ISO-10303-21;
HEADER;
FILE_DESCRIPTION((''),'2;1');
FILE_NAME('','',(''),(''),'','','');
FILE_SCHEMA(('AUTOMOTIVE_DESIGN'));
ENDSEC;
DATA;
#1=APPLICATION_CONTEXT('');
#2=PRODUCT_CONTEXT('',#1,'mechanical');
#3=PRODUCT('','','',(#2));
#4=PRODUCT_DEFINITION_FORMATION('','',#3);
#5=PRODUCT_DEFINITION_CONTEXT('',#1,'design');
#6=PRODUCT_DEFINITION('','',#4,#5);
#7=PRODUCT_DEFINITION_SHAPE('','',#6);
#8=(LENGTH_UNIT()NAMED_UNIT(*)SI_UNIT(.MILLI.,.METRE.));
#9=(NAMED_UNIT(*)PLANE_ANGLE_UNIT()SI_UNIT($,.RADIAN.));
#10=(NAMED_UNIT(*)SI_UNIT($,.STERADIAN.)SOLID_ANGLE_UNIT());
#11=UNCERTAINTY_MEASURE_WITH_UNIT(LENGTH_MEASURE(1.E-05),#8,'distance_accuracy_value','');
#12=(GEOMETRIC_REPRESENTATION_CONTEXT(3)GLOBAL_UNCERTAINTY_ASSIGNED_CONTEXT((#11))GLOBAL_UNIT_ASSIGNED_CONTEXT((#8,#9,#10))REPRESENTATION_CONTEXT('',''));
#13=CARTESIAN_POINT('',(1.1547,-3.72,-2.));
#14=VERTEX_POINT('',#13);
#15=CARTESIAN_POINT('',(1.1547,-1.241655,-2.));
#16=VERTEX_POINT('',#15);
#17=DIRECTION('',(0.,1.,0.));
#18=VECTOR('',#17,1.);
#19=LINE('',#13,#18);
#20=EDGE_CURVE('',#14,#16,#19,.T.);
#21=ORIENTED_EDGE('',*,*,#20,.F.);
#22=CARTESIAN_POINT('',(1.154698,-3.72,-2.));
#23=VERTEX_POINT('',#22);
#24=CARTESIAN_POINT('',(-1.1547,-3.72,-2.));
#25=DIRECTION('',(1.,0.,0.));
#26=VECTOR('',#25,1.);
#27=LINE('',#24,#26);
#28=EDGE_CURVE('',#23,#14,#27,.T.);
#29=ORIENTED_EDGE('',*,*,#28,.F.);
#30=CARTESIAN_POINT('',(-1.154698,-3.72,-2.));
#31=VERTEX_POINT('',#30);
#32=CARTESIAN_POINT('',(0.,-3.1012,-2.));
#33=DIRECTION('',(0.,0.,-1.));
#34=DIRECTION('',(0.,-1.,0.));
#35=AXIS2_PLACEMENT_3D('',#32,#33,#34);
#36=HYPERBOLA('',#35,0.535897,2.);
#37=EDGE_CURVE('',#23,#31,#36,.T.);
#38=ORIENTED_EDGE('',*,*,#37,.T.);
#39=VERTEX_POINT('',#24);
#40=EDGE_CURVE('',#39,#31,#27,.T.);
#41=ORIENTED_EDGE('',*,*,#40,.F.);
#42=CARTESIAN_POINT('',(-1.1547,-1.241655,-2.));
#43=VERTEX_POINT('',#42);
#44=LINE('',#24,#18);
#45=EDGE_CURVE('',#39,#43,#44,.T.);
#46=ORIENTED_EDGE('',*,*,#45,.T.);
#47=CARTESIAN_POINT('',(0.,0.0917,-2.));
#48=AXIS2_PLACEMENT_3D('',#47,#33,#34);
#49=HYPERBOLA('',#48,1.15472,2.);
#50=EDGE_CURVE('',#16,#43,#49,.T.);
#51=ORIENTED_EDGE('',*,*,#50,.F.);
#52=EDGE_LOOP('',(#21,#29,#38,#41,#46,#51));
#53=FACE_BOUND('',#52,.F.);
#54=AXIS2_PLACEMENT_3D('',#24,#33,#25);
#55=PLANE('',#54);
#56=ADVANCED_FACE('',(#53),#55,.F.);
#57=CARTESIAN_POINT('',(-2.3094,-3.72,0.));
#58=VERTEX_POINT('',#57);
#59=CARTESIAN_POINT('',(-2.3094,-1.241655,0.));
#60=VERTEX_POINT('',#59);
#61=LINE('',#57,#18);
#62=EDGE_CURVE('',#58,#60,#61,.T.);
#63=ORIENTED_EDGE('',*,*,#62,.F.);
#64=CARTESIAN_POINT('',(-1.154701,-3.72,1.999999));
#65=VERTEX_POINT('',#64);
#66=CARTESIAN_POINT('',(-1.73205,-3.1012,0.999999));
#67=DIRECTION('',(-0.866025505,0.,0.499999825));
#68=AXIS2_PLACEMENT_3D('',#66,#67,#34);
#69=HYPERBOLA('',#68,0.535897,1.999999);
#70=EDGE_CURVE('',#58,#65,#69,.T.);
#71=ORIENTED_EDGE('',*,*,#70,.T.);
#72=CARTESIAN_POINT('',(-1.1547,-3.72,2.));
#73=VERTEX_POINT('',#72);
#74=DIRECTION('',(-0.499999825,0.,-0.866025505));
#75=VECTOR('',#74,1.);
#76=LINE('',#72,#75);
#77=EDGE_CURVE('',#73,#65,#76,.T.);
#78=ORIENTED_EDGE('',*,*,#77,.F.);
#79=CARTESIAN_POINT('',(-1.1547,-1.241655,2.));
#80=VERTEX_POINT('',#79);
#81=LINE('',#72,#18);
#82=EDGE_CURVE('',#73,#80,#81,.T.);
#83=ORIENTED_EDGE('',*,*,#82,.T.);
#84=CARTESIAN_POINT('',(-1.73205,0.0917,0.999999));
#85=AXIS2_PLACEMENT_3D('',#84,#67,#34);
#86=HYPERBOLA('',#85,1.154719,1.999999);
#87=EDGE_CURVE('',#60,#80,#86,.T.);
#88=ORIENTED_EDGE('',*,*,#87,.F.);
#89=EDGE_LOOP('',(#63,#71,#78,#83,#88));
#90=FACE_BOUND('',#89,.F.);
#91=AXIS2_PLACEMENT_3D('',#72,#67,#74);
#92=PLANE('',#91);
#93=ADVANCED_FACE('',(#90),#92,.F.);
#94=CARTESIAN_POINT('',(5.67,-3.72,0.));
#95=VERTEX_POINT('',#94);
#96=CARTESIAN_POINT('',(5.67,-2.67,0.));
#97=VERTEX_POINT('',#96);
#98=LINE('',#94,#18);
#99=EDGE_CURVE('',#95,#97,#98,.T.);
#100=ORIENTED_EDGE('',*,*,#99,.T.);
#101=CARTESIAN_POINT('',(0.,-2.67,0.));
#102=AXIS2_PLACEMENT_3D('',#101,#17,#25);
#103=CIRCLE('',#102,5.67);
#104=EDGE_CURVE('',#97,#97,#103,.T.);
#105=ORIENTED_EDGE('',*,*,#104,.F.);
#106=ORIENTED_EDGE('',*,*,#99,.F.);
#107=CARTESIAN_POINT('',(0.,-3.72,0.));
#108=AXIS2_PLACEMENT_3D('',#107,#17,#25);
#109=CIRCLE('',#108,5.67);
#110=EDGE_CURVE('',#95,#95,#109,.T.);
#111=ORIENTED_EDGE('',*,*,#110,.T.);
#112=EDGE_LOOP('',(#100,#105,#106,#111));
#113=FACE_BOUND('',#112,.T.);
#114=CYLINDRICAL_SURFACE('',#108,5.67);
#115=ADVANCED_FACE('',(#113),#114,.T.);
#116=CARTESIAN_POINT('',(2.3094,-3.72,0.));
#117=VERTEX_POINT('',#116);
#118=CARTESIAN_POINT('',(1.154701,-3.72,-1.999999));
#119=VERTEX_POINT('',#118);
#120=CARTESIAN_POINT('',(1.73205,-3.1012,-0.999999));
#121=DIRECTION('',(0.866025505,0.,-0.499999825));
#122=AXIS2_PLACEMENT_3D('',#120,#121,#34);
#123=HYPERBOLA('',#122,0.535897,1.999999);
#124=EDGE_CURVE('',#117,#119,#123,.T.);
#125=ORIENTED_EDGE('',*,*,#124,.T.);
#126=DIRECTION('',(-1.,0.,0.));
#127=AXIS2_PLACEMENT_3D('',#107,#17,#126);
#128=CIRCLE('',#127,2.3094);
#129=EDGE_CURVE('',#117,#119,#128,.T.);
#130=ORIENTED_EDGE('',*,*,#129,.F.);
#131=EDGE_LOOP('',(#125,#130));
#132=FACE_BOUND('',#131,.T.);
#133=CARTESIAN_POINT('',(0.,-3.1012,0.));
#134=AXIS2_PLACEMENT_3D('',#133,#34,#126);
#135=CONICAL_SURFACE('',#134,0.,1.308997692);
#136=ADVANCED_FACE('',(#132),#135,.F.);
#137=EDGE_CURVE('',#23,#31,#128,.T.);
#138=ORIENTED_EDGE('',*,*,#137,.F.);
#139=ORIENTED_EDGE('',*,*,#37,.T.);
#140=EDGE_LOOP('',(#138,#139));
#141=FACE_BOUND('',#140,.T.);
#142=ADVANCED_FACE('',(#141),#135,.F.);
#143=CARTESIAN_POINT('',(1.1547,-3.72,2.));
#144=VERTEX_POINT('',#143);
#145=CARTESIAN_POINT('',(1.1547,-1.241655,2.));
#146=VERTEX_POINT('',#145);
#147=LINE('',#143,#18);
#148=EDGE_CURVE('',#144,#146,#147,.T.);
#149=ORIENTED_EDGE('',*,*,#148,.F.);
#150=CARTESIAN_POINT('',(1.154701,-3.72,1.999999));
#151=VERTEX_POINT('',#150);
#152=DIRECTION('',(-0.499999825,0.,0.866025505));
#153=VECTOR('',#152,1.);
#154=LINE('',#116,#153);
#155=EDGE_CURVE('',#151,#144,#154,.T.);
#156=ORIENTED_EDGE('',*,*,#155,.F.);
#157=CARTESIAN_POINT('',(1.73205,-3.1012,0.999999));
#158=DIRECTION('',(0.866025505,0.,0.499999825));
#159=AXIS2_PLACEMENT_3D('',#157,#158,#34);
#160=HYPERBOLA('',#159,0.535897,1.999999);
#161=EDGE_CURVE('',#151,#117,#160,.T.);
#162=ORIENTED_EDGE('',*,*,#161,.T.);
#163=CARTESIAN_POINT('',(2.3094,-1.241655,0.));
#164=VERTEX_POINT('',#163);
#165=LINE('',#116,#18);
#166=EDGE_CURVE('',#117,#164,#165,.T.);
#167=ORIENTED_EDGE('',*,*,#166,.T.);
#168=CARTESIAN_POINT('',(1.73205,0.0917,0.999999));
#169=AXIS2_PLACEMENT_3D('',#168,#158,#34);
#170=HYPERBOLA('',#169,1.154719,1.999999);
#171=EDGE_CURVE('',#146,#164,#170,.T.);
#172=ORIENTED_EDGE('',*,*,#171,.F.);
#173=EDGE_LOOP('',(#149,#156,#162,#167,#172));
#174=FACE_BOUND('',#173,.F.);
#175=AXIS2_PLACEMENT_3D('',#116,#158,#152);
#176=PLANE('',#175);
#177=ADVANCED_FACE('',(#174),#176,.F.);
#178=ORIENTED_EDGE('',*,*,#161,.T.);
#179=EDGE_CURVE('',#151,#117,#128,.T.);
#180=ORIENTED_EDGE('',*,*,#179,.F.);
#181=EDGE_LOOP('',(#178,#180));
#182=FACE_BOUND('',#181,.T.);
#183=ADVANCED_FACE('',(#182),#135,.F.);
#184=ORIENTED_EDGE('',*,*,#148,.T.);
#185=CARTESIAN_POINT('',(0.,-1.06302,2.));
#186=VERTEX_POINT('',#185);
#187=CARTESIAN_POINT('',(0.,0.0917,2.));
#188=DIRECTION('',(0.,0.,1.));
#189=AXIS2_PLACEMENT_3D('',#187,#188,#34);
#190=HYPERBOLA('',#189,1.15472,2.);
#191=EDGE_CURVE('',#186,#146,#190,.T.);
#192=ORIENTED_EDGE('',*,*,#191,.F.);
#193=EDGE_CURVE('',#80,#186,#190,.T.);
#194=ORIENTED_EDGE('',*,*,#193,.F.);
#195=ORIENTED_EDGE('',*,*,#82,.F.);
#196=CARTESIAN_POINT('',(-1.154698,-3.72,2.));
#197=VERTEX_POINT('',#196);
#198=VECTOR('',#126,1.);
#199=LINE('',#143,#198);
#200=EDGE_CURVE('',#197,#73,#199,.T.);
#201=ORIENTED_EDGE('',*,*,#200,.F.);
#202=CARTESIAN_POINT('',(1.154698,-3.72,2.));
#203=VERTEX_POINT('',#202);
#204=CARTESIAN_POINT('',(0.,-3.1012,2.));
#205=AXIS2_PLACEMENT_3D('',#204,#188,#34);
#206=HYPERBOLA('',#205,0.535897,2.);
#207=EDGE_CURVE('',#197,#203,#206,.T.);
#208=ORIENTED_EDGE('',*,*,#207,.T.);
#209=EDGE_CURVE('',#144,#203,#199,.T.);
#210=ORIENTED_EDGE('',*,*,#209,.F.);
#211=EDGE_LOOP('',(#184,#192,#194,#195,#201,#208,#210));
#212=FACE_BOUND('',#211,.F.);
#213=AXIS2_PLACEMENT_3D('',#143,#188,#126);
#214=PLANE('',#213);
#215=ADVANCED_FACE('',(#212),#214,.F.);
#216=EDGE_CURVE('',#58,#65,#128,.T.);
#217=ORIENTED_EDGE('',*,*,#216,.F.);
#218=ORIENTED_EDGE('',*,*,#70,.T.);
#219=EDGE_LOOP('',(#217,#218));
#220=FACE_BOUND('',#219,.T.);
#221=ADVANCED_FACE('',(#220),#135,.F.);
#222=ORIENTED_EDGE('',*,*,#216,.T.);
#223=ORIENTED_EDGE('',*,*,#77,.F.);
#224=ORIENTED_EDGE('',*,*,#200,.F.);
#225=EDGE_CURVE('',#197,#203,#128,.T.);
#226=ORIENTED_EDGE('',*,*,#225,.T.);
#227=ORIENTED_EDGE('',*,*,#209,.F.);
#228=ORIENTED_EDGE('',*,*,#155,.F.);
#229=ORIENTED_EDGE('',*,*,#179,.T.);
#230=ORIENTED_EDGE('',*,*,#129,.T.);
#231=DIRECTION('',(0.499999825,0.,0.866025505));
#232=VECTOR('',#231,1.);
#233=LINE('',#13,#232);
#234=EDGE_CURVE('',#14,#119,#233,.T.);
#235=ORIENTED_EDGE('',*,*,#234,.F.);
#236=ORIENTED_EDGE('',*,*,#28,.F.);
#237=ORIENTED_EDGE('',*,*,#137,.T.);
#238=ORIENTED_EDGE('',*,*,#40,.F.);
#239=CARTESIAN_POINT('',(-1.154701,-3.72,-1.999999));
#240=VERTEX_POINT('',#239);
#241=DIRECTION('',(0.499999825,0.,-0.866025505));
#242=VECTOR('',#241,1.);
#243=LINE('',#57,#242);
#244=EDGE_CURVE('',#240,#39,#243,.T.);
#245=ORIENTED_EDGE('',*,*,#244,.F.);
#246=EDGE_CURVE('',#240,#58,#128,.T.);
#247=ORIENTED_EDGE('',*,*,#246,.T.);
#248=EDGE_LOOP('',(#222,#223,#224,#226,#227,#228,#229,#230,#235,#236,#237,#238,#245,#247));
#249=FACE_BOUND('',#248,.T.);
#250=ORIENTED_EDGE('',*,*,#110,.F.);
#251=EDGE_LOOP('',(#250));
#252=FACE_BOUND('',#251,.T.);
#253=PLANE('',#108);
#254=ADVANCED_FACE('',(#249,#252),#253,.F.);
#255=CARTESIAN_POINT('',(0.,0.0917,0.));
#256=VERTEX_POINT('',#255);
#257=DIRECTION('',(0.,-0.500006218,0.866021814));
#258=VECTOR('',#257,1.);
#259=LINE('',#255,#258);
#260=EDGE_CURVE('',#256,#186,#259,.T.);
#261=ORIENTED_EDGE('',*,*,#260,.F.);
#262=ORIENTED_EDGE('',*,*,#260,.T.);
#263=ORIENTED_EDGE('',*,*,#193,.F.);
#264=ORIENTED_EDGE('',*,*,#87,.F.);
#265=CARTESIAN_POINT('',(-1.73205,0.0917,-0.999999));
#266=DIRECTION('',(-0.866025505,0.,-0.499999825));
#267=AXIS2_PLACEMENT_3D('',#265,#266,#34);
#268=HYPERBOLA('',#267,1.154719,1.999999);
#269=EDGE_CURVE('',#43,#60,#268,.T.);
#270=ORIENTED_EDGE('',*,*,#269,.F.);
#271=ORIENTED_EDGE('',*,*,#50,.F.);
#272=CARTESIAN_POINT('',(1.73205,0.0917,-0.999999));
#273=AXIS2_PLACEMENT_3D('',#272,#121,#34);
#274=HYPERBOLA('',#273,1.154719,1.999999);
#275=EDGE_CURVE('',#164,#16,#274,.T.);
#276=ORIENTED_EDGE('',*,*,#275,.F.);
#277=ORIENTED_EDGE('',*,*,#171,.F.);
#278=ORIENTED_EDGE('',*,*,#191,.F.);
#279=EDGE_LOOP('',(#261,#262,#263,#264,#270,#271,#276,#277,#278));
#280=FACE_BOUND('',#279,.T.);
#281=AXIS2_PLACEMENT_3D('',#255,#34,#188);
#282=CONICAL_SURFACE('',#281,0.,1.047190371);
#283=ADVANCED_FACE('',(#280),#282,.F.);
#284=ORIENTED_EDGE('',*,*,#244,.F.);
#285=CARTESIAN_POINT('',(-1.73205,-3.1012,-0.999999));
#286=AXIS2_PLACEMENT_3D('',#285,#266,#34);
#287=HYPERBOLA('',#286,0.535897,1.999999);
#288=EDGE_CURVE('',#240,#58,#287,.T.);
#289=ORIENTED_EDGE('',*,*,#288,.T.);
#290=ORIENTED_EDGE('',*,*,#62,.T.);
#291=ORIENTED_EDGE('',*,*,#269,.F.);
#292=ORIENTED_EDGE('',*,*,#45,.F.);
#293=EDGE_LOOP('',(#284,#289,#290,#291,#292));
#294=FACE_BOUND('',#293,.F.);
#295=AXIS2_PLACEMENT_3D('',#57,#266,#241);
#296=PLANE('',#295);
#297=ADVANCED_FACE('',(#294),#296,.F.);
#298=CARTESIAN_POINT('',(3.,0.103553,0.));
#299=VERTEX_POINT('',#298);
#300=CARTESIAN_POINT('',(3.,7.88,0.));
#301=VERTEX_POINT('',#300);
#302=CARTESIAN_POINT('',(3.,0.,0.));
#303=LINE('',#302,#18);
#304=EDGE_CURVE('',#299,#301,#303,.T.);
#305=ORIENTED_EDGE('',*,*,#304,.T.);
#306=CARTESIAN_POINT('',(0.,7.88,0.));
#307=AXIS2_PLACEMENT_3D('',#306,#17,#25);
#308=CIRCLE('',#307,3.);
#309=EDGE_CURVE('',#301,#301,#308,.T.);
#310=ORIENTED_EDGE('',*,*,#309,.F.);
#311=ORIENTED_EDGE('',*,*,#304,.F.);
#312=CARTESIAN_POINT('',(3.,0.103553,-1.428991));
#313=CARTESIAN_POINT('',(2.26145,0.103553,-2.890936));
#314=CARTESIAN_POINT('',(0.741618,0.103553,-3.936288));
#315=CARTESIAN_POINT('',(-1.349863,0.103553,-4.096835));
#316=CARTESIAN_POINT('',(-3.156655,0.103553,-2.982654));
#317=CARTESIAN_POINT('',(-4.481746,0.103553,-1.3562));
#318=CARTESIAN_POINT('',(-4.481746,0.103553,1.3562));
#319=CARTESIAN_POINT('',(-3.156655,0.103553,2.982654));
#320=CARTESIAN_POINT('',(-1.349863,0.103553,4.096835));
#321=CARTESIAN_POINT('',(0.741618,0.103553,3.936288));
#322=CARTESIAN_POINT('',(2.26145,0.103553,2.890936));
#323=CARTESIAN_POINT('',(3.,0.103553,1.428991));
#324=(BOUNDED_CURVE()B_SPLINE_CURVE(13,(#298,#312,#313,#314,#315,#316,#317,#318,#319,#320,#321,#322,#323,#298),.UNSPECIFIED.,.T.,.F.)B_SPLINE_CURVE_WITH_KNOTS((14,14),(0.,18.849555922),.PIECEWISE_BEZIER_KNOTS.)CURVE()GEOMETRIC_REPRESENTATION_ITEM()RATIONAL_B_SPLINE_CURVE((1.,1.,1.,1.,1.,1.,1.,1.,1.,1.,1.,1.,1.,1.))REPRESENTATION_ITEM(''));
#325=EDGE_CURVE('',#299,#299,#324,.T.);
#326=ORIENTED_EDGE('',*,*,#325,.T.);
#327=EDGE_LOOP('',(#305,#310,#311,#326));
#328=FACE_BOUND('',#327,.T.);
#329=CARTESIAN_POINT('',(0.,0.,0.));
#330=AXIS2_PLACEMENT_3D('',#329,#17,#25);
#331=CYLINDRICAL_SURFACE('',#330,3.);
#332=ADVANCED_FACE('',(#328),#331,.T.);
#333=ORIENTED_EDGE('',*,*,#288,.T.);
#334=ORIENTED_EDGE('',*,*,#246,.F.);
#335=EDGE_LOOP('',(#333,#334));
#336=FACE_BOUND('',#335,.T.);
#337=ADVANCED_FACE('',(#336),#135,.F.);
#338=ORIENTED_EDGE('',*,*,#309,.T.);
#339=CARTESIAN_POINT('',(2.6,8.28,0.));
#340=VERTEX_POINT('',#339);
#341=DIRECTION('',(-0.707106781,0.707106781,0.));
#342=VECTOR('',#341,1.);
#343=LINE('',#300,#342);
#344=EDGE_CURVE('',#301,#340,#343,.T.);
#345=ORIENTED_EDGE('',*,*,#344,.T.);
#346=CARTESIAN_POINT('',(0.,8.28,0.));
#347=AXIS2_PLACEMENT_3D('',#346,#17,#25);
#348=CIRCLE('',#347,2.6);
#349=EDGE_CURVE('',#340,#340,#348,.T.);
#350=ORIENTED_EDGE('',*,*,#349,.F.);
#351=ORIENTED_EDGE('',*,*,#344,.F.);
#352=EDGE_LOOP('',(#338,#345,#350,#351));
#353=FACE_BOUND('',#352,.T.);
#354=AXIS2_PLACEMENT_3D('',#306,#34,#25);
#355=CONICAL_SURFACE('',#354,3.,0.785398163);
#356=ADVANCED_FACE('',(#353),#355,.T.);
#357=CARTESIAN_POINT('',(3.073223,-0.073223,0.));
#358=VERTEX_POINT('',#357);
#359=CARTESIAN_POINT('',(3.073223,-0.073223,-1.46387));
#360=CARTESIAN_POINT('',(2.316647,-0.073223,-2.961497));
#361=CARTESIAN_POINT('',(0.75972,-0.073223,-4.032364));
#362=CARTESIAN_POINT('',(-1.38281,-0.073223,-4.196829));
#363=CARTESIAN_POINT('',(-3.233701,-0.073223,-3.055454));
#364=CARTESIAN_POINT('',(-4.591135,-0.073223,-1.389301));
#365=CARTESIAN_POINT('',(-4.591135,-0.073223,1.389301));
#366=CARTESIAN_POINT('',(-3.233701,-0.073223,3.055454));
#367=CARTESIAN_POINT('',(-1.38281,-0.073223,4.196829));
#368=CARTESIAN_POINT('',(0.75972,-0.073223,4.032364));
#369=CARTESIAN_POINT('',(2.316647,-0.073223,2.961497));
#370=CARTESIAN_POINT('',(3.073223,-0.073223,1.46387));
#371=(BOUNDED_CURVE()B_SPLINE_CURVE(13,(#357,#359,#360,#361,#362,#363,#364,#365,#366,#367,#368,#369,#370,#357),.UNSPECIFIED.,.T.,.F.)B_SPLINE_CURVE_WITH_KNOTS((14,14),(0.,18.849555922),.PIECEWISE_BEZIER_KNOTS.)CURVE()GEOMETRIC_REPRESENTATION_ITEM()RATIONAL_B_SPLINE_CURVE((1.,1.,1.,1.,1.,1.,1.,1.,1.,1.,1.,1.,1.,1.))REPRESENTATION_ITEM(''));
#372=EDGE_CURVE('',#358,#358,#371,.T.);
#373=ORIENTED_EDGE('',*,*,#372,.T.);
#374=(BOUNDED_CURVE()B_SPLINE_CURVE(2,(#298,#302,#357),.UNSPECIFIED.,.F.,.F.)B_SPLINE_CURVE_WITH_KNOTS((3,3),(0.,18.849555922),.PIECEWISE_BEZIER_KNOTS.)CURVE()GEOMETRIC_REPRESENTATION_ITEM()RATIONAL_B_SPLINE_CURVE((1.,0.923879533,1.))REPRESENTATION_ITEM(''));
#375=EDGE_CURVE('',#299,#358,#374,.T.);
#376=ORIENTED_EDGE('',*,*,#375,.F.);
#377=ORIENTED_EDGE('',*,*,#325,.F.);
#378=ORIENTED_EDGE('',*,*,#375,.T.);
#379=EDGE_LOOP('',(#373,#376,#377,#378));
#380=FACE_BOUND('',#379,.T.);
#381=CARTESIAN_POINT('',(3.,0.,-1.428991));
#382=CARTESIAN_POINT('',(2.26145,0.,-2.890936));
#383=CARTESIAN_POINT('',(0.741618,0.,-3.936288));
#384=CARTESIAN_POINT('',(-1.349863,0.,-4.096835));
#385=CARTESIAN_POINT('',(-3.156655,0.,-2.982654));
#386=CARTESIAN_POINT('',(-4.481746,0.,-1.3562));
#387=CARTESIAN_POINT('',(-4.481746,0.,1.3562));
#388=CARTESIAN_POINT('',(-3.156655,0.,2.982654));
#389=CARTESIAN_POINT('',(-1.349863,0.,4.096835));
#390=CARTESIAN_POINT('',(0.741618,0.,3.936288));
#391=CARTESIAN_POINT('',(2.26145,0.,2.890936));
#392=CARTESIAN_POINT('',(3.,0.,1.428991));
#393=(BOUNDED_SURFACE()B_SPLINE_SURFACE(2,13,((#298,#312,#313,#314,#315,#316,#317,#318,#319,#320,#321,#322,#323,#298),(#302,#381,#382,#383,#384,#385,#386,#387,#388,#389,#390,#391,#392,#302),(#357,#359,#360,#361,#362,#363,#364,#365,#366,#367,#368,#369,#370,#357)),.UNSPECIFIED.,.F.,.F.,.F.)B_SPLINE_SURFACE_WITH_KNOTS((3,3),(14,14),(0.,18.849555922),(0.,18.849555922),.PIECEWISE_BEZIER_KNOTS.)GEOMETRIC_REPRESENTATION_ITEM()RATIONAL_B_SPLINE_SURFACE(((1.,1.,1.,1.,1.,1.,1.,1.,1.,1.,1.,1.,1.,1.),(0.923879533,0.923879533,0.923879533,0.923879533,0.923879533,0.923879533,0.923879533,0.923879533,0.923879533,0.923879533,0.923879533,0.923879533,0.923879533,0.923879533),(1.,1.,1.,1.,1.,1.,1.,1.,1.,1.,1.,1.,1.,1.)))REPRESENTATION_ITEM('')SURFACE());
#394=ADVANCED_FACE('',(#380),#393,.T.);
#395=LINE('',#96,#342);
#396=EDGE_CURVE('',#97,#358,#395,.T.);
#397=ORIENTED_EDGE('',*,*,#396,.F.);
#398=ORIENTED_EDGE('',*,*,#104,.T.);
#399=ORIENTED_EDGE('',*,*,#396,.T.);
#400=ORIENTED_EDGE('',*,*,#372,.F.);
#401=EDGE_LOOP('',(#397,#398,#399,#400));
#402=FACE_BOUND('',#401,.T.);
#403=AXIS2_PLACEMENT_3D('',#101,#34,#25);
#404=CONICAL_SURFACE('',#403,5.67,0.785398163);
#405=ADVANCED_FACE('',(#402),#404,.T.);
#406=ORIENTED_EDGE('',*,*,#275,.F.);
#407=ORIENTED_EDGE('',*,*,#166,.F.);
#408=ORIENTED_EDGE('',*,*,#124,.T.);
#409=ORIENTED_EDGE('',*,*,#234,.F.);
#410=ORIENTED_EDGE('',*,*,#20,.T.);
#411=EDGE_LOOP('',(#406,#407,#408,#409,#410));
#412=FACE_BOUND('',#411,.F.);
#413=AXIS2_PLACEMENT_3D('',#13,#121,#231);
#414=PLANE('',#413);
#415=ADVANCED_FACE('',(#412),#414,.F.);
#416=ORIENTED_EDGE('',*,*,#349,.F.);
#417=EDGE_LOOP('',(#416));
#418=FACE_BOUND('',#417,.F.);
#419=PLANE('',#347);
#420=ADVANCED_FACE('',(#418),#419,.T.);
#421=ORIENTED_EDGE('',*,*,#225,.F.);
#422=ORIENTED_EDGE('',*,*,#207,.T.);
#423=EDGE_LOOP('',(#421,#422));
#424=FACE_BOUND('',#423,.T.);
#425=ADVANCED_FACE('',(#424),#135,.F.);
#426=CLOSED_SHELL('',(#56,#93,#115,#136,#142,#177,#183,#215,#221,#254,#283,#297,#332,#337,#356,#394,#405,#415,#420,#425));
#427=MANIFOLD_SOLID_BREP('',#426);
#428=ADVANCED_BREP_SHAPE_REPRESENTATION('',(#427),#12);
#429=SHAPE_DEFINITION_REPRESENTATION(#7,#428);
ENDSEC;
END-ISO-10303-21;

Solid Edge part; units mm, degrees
sketch "Sketch1" plane through (0, 0, 0) normal (0, 0, 1) x (1, 0, 0)
  line L0 (3, 0) -> (3, 8.28)
  line L1 (0, 8.28) -> (3, 8.28)
  line L2 (0, 0) -> (0, 8.28)
  line L3 (0, 0) -> (0, -3.72)
  line L4 (0, -3.72) -> (5.67, -3.72)
  line L5 (5.67, -3.72) -> (5.67, -2.67)
  line L6 (5.67, -2.67) -> (3, 0)
revolve "RevolvedProtrusion1" add sketch "Sketch1" angle 360 about axis through (0, 0, 0) along (0, 1, 0)
sketch "Sketch2" plane through (0, 0, 0) normal (1, 0, 0) x (0, 1, 0)
  line L0 (-3.72, 2.7915) -> (-1.52, 2.7915)
  line L1 (0.0917, 0) -> (-1.52, 2.7915)
  line L2 (-3.72, 0) -> (0.0917, 0)
  line L3 (-3.72, 0) -> (-3.72, 2.7915)
revolve "RevolvedCutout1" cut sketch "Sketch2" angle 360 about axis through (0, -4.5, 0) along (0, 1, 0)
sketch "Sketch3" plane through (0, -3.72, 0) normal (0, -1, 0) x (0, 0, 1)
  circle A0 centre (0, 0) radius 2.7915
  line L0 (-2, -1.1547) -> (0, -2.3094)
  line L1 (0, -2.3094) -> (2, -1.1547)
  line L2 (2, -1.1547) -> (2, 1.1547)
  line L3 (2, 1.1547) -> (0, 2.3094)
  line L4 (0, 2.3094) -> (-2, 1.1547)
  line L5 (-2, 1.1547) -> (-2, -1.1547)
  dimension "D1" = 4
extrude "Protrusion1" add sketch "Sketch3" against normal up to next
sketch "Sketch4" plane through (0, 0, 0) normal (0, 0, 1) x (1, 0, 0)
  line L0 (-2.3094, -3.72) -> (0, -3.72)
  line L1 (0, -3.72) -> (0, -3.1012)
  line L2 (0, -3.1012) -> (-2.3094, -3.72)
revolve "RevolvedCutout2" cut sketch "Sketch4" angle 360 about axis through (0, -4.5, 0) along (0, 1, 0)
fillet "Round1" radius 0.25 1 edges at (0, 0, -3)
chamfer "倒斜角_2" distance 0.4 angle 45 1 edges at (0, 8.28, -3)
cosmetic_thread "Thread1" size "M6"
